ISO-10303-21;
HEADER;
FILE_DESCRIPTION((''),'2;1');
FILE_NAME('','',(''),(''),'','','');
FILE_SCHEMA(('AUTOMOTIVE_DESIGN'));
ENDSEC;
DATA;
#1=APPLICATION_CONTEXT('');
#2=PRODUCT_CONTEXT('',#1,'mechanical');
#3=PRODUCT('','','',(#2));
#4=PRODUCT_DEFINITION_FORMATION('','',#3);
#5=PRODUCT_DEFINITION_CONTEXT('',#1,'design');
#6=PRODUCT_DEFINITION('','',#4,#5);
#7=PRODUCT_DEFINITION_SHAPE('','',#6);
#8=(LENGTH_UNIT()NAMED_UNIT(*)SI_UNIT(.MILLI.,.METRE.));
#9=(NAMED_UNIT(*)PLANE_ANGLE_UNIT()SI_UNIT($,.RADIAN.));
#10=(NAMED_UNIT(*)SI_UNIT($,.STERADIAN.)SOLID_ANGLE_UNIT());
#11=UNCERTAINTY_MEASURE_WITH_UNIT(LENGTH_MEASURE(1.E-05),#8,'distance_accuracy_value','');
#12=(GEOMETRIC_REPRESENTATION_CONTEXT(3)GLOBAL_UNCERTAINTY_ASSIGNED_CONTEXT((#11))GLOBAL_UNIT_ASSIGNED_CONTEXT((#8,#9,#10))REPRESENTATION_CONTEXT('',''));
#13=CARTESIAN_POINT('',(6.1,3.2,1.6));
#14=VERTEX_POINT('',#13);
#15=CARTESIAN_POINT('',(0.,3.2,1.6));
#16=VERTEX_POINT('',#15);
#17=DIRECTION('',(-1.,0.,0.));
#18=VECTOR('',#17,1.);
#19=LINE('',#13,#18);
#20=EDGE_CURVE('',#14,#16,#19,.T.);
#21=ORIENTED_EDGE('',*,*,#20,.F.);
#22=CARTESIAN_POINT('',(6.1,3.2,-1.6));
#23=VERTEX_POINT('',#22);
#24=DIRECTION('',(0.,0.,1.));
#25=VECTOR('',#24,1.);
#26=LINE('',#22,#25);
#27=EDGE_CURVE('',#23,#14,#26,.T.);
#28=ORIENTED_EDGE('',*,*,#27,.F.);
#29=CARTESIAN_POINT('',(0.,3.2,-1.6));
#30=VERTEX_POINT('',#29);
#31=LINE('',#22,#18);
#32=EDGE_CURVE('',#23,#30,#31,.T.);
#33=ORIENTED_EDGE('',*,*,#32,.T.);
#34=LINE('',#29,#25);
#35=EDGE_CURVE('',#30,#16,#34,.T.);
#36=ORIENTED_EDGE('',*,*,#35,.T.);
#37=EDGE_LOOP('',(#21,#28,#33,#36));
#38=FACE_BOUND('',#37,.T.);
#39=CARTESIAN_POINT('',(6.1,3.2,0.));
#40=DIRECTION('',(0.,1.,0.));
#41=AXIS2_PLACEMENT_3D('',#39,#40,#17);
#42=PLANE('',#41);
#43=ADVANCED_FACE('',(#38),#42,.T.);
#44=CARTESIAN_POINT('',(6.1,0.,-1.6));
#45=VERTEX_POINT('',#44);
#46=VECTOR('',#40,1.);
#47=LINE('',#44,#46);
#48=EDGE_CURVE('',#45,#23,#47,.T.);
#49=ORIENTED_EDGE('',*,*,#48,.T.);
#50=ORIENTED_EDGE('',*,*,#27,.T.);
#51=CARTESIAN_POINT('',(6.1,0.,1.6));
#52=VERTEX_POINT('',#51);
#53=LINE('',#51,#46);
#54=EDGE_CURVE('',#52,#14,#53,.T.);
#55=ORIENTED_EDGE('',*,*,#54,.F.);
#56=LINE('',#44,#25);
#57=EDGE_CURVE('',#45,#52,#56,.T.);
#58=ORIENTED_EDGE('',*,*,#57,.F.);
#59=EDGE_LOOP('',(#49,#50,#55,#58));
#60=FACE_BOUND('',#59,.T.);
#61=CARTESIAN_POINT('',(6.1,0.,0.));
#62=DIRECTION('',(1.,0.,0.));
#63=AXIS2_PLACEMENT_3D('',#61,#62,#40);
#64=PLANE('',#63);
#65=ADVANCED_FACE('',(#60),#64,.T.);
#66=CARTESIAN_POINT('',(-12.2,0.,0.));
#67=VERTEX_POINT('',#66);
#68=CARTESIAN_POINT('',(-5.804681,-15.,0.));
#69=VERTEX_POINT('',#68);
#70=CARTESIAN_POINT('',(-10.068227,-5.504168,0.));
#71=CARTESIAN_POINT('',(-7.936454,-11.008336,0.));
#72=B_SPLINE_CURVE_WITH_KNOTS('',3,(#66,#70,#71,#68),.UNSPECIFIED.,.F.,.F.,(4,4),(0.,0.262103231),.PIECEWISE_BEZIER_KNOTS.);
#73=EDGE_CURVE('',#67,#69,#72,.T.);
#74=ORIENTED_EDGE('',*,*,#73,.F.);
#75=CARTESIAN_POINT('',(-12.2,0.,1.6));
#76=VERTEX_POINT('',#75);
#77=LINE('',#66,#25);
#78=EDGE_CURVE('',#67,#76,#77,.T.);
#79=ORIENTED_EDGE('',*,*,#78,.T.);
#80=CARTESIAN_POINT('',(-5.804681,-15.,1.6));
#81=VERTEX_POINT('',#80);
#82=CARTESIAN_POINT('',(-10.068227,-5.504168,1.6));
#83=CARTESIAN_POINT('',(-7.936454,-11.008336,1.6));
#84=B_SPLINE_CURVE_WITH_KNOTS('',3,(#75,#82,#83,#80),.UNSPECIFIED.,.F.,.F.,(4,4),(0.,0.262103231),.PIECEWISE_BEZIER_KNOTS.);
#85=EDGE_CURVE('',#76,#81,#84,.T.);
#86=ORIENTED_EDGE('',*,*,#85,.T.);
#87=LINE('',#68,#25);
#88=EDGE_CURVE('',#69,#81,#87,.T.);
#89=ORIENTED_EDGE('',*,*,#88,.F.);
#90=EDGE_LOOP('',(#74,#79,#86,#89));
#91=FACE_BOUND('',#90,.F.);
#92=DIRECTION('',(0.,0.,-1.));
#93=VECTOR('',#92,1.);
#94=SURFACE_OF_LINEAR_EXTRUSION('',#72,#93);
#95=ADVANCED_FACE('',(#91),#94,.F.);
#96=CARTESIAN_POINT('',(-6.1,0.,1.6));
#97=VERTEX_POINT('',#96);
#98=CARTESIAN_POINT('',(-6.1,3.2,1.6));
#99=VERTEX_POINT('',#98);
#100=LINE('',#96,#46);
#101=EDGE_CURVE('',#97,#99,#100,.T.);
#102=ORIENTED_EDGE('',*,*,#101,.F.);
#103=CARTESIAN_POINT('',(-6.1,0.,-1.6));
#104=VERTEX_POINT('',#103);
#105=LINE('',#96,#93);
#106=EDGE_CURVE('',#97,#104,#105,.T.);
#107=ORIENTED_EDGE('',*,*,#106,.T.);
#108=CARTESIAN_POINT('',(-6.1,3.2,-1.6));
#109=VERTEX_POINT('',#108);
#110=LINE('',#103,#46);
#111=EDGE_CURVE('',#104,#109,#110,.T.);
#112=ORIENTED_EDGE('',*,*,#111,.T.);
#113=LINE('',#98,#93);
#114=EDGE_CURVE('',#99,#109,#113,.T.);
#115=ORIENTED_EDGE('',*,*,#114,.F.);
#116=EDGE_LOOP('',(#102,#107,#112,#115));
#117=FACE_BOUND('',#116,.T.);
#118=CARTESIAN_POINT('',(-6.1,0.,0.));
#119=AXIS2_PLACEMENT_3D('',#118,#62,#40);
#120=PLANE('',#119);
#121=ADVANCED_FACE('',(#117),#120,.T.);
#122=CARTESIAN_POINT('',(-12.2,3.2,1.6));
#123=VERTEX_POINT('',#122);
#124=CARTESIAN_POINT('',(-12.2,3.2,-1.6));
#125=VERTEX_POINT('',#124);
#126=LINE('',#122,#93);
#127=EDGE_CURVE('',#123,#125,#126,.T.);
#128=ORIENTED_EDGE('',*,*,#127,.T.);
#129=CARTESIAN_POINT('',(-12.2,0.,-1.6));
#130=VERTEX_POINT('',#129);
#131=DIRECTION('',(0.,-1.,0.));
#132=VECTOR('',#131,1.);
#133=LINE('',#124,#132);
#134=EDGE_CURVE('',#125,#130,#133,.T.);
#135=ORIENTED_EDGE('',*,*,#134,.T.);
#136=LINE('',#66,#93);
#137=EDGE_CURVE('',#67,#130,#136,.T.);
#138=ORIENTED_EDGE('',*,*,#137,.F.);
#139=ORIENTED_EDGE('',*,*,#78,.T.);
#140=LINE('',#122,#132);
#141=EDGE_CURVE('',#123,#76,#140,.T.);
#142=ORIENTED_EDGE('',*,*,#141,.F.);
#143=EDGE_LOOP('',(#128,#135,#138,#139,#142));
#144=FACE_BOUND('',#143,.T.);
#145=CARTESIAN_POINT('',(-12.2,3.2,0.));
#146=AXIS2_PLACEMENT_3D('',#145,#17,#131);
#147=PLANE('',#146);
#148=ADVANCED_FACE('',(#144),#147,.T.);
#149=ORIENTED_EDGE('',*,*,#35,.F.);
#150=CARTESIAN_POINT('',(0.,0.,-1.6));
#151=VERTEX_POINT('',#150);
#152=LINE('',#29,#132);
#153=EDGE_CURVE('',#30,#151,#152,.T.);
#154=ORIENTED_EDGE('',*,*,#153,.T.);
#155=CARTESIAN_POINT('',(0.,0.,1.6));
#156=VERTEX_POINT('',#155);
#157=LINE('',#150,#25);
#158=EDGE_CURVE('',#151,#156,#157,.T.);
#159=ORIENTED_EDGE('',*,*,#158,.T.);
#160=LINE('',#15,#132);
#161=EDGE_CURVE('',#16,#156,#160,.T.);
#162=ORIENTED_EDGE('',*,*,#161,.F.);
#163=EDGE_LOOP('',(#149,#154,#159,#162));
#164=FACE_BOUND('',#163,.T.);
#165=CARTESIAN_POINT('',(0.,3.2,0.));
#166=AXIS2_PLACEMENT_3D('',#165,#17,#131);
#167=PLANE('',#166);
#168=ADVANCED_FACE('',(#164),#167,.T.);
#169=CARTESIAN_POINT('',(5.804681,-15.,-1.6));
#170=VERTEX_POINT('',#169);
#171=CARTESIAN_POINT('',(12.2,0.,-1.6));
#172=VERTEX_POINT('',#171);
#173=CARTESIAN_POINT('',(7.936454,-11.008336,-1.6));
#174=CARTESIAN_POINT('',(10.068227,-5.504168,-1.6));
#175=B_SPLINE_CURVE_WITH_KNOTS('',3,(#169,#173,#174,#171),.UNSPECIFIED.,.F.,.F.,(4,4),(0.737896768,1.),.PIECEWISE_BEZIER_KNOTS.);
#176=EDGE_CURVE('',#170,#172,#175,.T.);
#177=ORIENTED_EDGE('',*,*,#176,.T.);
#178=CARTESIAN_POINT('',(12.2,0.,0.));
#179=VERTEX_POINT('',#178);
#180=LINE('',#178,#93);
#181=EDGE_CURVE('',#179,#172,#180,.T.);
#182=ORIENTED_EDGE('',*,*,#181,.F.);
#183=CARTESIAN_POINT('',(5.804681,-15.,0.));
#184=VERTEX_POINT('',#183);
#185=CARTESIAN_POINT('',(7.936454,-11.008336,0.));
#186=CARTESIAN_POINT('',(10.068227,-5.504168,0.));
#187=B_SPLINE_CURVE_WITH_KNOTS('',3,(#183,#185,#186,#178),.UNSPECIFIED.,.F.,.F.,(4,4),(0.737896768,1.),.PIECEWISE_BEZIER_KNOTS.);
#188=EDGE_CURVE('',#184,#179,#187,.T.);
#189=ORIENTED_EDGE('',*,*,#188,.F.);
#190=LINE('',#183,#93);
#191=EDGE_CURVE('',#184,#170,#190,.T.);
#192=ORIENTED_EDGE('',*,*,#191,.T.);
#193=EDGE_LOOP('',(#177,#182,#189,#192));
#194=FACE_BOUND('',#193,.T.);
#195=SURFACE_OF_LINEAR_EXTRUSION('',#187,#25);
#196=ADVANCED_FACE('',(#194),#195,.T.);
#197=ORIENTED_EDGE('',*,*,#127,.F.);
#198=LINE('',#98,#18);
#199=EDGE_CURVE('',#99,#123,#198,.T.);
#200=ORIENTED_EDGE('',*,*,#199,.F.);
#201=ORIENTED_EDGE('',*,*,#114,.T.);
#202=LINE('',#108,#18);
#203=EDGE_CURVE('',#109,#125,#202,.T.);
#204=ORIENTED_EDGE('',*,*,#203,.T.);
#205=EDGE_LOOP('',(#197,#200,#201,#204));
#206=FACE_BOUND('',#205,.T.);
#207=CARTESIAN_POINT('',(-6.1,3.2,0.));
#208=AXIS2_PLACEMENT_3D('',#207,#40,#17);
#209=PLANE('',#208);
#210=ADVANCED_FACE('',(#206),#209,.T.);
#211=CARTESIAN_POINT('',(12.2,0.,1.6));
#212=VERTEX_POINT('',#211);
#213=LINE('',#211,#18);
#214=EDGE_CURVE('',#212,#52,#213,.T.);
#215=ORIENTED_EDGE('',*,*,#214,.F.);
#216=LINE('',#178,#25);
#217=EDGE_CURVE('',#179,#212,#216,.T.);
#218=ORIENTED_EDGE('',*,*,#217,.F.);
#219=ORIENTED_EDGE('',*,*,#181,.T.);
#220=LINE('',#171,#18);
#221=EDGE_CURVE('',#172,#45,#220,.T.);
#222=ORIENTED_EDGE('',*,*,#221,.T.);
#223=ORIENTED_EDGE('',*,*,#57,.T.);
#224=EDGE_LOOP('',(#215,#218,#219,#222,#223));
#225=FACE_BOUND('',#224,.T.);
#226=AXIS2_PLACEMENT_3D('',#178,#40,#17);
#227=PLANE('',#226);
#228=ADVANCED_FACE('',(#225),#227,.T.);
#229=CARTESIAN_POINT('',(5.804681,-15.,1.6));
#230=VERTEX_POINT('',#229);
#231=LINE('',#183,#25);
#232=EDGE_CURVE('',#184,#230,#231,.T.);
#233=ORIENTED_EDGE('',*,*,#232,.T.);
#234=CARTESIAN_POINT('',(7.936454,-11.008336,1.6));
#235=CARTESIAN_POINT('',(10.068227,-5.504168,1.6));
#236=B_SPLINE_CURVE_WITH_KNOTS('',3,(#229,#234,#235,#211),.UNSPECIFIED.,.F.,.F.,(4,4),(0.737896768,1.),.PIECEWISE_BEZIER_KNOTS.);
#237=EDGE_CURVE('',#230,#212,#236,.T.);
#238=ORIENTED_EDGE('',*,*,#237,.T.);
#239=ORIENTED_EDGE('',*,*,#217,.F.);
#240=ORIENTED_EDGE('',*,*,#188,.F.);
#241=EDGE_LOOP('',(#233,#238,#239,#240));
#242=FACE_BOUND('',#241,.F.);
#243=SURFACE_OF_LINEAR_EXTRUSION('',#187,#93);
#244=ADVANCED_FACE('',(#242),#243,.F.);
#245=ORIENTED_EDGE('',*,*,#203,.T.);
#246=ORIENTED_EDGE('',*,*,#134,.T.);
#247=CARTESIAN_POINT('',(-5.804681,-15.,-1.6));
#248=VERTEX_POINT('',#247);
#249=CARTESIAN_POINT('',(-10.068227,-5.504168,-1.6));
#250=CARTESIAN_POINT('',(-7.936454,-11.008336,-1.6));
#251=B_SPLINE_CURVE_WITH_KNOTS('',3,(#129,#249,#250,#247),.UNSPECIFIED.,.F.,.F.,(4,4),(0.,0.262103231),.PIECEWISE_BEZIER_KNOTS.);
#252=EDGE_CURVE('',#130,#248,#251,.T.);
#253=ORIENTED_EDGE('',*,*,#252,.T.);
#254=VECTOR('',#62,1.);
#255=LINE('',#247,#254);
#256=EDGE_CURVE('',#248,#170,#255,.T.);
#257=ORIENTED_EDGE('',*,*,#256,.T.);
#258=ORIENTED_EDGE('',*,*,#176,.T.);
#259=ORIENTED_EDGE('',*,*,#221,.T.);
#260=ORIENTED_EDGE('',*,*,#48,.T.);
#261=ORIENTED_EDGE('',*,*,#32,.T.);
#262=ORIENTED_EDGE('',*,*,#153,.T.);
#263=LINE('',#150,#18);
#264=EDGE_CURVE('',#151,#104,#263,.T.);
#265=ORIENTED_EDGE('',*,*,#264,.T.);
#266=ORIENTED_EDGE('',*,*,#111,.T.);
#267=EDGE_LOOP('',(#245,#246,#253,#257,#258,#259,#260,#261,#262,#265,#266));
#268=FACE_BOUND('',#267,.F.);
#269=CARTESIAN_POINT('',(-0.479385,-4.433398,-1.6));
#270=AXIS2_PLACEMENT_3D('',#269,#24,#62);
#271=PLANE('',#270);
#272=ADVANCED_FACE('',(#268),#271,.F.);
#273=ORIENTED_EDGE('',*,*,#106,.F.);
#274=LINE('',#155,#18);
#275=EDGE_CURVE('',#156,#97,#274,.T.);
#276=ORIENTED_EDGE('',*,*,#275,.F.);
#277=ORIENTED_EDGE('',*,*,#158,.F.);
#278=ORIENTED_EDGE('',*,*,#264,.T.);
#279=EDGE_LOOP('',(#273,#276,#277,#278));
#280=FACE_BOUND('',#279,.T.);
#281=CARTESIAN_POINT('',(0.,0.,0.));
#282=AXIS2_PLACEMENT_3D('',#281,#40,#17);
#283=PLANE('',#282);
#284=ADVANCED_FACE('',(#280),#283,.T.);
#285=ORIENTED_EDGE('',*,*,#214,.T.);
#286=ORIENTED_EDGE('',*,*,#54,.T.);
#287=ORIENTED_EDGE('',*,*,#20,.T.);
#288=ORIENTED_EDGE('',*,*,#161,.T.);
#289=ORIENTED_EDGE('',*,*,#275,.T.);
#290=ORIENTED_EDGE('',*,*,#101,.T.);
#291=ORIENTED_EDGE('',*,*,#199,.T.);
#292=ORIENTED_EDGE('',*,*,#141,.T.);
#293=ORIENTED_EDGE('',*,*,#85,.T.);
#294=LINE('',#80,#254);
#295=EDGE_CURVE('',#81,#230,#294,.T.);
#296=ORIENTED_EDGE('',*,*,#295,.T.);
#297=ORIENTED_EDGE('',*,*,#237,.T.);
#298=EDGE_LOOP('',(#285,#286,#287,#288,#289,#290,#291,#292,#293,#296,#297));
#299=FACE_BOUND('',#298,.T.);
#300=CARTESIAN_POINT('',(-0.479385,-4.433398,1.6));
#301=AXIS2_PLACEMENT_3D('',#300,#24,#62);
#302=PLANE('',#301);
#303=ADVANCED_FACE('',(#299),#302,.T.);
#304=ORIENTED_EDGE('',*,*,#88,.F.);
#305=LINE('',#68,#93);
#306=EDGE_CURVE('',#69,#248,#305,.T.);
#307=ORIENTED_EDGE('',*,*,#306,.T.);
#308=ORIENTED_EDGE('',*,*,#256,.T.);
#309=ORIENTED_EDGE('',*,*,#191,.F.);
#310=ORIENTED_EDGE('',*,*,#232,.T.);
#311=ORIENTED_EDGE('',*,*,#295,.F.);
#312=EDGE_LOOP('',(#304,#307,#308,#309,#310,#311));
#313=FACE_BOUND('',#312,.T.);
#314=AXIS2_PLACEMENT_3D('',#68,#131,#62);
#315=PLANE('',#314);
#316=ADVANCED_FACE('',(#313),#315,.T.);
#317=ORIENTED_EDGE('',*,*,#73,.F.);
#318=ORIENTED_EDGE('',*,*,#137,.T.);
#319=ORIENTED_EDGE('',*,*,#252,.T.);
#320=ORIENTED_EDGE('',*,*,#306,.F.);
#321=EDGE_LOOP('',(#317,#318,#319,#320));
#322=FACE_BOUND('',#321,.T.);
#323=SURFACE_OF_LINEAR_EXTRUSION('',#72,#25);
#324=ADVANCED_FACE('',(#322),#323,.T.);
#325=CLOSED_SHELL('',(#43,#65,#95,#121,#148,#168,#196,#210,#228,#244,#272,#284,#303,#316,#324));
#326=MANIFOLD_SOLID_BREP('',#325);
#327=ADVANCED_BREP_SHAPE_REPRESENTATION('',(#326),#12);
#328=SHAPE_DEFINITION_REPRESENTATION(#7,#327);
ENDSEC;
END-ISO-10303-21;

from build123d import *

# Parameters (mm, degrees)
F1_DEPTH = 1.6


with BuildPart() as f1:
    # F0 (on Top) → F1 (new body, symmetric)
    with BuildSketch(Plane.XY):
        with BuildLine():
            Line((-12.2, 3.2), (-12.2, 0))
            add(Edge.make_bspline(
                [(-12.2, 0), (-10.0682270506, -5.5041678612), (-7.9364541011, -11.0083357225), (-5.8046811517, -15)],
                knots=[0, 0, 0, 0, 0.2621032315, 0.2621032315, 0.2621032315, 0.2621032315], degree=3))
            Line((-5.8046811517, -15), (5.8046811517, -15))
            add(Edge.make_bspline(
                [(5.8046811517, -15), (7.9364541011, -11.0083357225), (10.0682270506, -5.5041678612), (12.2, 0)],
                knots=[0.7378967685, 0.7378967685, 0.7378967685, 0.7378967685, 1, 1, 1, 1], degree=3))
            Line((12.2, 0), (6.1, 0))
            Line((6.1, 0), (6.1, 3.2))
            Line((6.1, 3.2), (0, 3.2))
            Line((0, 3.2), (0, 0))
            Line((0, 0), (-6.1, 0))
            Line((-6.1, 0), (-6.1, 3.2))
            Line((-6.1, 3.2), (-12.2, 3.2))
        make_face()
    extrude(amount=F1_DEPTH, both=True)


solid = f1.part
